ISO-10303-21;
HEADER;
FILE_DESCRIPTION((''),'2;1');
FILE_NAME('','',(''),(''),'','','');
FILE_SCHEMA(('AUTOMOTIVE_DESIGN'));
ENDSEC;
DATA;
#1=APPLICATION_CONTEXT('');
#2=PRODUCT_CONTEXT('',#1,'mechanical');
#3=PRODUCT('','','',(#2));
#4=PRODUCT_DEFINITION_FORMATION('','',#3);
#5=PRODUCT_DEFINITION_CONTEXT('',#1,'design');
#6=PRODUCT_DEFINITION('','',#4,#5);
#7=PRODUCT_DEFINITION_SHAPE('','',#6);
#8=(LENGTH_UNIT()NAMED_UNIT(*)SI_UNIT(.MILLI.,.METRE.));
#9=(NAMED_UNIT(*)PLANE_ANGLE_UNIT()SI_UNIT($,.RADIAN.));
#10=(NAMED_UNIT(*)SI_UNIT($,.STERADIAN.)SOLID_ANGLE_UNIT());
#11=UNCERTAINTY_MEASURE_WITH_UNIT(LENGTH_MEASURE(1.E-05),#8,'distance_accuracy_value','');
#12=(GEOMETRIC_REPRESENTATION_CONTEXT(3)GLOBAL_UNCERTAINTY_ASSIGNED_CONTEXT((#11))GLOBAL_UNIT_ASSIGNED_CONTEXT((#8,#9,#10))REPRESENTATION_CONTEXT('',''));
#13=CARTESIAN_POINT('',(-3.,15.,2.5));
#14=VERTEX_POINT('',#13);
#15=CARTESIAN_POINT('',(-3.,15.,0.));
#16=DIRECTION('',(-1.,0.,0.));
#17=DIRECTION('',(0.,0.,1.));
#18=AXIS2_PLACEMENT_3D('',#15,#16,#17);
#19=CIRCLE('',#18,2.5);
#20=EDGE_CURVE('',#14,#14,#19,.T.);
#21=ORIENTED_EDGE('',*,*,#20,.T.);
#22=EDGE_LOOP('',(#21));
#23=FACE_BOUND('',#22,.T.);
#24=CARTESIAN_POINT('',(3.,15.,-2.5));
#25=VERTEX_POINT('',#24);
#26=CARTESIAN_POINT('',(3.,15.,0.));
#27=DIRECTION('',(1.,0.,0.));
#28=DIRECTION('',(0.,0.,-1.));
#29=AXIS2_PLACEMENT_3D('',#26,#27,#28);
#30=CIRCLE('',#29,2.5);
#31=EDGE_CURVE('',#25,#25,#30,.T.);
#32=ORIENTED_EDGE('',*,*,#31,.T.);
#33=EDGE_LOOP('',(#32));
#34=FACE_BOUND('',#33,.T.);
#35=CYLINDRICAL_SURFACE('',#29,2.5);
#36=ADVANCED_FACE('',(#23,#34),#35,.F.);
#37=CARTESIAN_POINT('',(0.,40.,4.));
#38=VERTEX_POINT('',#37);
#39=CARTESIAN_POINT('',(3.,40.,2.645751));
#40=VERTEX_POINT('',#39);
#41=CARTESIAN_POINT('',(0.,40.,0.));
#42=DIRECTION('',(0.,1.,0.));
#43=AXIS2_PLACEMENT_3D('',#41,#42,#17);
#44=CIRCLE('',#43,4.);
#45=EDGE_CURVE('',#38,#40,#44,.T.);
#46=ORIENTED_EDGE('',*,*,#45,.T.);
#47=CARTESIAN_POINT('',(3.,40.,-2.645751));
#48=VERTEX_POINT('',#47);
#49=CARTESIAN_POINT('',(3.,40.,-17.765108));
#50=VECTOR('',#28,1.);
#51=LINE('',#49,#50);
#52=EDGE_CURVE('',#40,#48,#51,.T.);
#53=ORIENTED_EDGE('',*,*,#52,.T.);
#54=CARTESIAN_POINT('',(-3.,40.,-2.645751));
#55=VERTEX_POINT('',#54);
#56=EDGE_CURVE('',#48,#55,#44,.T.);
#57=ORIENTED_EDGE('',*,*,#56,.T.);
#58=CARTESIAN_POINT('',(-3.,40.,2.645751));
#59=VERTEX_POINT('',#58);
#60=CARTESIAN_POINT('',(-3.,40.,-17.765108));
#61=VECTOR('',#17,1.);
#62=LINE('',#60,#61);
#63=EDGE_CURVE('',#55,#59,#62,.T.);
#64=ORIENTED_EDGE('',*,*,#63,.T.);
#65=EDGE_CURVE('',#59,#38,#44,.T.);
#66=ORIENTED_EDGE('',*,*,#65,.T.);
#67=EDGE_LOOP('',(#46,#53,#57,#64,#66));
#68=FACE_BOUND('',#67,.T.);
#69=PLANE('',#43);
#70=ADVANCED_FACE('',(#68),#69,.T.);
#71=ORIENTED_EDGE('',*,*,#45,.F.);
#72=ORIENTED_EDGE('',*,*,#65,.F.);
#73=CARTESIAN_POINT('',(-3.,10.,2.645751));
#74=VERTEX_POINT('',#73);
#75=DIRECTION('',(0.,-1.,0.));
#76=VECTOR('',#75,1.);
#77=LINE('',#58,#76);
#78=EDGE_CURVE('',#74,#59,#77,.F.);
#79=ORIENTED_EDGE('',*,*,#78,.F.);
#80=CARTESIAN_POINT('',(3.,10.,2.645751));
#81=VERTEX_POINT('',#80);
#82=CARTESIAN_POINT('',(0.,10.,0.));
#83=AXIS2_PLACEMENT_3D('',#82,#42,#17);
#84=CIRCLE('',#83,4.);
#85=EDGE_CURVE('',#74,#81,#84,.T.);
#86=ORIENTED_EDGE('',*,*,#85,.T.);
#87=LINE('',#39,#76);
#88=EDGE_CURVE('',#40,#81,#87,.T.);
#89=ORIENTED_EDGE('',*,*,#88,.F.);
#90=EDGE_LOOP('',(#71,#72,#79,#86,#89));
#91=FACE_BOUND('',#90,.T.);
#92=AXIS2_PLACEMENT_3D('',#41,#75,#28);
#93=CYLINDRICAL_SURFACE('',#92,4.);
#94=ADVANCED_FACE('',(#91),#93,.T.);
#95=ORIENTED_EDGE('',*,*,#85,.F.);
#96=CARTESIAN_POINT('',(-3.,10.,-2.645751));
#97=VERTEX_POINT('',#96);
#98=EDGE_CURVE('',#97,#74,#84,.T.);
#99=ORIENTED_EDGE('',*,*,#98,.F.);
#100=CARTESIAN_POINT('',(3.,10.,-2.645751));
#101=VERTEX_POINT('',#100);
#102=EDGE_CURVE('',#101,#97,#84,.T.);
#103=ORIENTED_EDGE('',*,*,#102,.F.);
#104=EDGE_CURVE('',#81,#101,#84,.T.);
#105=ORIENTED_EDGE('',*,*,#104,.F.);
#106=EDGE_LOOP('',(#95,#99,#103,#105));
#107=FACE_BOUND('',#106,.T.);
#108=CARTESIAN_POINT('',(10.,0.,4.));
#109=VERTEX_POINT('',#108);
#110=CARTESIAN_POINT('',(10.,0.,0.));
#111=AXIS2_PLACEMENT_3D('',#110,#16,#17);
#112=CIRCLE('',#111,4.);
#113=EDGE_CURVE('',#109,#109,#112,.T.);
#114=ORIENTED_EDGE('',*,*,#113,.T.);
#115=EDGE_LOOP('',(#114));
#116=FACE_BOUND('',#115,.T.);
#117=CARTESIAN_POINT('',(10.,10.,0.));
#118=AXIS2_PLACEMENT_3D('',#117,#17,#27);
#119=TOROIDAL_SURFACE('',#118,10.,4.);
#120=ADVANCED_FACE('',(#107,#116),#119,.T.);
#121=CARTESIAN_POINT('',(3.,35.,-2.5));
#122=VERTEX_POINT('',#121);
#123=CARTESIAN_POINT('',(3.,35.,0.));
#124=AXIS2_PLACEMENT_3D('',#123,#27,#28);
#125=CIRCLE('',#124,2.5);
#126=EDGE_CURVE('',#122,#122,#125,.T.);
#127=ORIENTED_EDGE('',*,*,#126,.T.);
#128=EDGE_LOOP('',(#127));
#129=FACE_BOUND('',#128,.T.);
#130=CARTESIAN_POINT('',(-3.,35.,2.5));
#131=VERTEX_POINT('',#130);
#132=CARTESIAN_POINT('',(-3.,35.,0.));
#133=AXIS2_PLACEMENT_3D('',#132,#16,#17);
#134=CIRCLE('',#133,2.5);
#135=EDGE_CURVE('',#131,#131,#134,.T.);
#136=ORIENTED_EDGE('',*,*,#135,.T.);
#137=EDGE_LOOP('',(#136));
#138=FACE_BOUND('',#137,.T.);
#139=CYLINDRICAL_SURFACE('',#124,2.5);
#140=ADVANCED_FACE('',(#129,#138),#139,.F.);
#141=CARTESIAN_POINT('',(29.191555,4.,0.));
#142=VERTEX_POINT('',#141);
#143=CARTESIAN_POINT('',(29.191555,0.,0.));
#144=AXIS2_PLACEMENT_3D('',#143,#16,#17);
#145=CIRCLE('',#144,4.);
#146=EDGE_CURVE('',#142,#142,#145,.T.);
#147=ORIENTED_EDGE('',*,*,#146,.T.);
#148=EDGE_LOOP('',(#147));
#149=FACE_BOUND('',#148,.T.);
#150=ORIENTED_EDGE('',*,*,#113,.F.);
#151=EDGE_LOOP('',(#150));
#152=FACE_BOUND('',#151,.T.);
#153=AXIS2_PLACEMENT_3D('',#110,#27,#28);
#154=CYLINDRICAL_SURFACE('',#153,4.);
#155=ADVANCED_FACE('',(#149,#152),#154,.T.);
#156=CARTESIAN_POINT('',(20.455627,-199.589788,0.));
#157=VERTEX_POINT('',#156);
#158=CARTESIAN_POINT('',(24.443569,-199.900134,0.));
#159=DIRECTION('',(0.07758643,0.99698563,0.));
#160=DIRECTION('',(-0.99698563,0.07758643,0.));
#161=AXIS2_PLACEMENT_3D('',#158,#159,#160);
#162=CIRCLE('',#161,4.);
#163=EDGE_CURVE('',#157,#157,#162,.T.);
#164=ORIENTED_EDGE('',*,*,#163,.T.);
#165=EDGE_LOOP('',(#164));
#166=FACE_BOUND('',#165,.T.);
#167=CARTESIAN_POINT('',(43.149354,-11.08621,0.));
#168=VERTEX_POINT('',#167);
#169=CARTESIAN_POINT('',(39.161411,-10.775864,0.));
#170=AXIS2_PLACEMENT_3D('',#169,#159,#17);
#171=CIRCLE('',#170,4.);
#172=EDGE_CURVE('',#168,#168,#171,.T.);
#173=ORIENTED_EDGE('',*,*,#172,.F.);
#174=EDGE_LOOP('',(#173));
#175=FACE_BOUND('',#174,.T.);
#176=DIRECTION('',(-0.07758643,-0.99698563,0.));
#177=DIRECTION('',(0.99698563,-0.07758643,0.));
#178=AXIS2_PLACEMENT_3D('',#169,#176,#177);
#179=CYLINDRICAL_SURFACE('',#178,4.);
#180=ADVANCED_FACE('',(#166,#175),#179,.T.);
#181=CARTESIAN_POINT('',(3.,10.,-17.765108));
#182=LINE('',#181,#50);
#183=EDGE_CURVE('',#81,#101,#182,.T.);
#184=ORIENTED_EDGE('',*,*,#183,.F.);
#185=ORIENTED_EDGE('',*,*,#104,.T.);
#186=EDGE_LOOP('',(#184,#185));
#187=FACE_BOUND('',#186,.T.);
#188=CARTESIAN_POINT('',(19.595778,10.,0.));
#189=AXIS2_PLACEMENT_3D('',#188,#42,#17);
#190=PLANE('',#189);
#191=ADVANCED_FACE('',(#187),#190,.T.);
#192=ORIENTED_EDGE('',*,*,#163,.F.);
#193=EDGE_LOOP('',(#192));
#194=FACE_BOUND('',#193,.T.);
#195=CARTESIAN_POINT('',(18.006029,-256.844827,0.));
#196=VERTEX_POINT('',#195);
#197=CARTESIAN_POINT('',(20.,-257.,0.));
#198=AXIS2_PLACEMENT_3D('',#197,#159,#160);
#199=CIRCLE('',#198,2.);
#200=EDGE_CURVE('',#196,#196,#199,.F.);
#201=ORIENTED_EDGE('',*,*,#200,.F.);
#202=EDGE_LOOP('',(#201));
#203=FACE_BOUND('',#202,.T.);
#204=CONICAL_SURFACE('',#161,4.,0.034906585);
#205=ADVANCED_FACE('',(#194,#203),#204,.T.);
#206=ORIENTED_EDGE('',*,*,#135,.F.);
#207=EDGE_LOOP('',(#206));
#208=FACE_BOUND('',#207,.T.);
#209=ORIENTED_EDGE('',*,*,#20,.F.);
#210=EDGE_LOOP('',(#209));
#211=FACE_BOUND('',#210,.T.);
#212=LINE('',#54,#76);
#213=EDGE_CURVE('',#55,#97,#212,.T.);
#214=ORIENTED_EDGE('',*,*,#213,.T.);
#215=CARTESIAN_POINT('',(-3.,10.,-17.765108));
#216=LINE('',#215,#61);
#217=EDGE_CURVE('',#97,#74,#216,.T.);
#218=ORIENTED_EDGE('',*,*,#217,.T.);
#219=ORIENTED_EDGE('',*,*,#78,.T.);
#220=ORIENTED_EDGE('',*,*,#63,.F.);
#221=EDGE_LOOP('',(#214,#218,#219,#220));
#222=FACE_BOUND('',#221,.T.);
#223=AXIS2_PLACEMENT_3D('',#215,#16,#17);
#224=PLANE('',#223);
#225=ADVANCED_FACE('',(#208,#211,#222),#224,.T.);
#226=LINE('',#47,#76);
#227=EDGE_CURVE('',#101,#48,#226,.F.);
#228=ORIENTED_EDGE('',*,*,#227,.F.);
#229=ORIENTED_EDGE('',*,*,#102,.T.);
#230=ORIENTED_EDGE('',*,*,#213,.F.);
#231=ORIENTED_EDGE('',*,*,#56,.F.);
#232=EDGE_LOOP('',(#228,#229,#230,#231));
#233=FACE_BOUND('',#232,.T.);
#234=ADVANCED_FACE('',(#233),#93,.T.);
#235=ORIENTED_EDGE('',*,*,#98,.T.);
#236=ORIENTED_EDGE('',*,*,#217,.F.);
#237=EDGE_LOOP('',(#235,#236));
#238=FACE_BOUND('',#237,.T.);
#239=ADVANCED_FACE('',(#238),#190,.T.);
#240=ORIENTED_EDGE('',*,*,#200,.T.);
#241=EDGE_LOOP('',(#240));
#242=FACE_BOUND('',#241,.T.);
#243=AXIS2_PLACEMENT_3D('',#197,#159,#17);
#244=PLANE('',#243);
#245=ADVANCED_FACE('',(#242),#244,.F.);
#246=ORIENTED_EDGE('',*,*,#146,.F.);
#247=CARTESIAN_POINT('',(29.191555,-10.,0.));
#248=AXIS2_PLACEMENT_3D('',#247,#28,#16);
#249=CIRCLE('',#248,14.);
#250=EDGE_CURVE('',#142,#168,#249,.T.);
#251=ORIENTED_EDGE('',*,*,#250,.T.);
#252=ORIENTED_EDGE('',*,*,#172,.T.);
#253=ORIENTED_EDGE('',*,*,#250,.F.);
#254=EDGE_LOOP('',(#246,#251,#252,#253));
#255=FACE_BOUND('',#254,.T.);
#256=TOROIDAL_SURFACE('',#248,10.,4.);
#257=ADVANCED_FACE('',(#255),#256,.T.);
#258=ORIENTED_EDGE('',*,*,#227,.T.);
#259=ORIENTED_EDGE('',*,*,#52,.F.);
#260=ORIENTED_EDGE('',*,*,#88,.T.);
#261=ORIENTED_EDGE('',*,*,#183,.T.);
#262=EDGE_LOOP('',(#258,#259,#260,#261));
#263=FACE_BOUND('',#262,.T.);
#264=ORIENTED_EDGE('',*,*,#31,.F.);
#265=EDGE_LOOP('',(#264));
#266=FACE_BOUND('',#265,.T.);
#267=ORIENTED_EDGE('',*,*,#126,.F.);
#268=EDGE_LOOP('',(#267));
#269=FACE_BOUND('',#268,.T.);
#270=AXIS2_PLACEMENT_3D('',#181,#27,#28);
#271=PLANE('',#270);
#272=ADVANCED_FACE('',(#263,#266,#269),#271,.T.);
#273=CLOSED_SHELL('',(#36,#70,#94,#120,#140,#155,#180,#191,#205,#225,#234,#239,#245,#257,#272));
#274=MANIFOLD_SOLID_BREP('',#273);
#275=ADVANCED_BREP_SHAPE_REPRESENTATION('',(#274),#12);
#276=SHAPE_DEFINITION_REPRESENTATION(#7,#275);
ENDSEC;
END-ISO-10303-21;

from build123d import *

# Parameters (mm, degrees)
SKETCH3_R             = 4
CHAMFER1_SIZE         = 2
CHAMFER1_SIZE2        = 57.272506566
SKETCH4_OUTSIDE_W     = 109.39
SKETCH4_OUTSIDE_H     = 70.198
SKETCH4_OUTSIDE_W_2   = 6
SKETCH4_OUTSIDE_H_2   = 35.530215116
EXTRUDE1_DEPTH        = 30
M6_TAPPED_HOLE1_D     = 5
M6_TAPPED_HOLE1_DEPTH = 9
M6_TAPPED_HOLE1_TIP   = 1.502151548


with BuildPart() as part:
    # Sweep1: sweep along a path in Sketch1
    with BuildLine(Plane.XY) as sweep1_path:
        Line((0, 40), (0, 10))
        ThreePointArc((0, 10), (2.928932188, 2.928932188), (10, 0))
        Line((10, 0), (29.191555041, 0))
        ThreePointArc((29.191555041, 0), (36.531808546, -3.208779308), (39.161411338, -10.775864303))
        Line((39.161411338, -10.775864303), (20, -257))
    # Sketch3 → Sweep1 (sweep)
    with BuildSketch(Plane(origin=(0, 40, 0), x_dir=(1, 0, 0), z_dir=(0, 1, 0))):
        Circle(SKETCH3_R)
    sweep(path=sweep1_path.line)

    # Chamfer1
    chamfer1_edges = [part.edges().sort_by_distance(p)[0] for p in [
        (16.012057481, -256.689654279, 0),
    ]]
    chamfer1_side = [part.faces().sort_by_distance(p)[0] for p in [
        (20, -257, 0),
    ]]
    chamfer(chamfer1_edges, length=CHAMFER1_SIZE, length2=CHAMFER1_SIZE2, reference=chamfer1_side[0])

    # Sketch4 outside → Extrude1 (cut)
    with BuildSketch(Plane(origin=(0, 40, 0), x_dir=(1, 0, 0), z_dir=(0, 1, 0))):
        with Locations((19.596, 0)):
            Rectangle(SKETCH4_OUTSIDE_W, SKETCH4_OUTSIDE_H)
        Rectangle(SKETCH4_OUTSIDE_W_2, SKETCH4_OUTSIDE_H_2, mode=Mode.SUBTRACT)
    extrude(amount=-EXTRUDE1_DEPTH, mode=Mode.SUBTRACT)

    # M6 Tapped Hole1
    with Locations(Plane(origin=(3, 0, 0), x_dir=(0, 0, -1), z_dir=(1, 0, 0))):
        with Locations((0, 35), (0, 15)):
            Hole(M6_TAPPED_HOLE1_D / 2, depth=M6_TAPPED_HOLE1_DEPTH)
            with Locations((0, 0, -(M6_TAPPED_HOLE1_DEPTH + M6_TAPPED_HOLE1_TIP / 2))):  # 118° drill point
                Cone(0, M6_TAPPED_HOLE1_D / 2, M6_TAPPED_HOLE1_TIP, mode=Mode.SUBTRACT)


solid = part.part
